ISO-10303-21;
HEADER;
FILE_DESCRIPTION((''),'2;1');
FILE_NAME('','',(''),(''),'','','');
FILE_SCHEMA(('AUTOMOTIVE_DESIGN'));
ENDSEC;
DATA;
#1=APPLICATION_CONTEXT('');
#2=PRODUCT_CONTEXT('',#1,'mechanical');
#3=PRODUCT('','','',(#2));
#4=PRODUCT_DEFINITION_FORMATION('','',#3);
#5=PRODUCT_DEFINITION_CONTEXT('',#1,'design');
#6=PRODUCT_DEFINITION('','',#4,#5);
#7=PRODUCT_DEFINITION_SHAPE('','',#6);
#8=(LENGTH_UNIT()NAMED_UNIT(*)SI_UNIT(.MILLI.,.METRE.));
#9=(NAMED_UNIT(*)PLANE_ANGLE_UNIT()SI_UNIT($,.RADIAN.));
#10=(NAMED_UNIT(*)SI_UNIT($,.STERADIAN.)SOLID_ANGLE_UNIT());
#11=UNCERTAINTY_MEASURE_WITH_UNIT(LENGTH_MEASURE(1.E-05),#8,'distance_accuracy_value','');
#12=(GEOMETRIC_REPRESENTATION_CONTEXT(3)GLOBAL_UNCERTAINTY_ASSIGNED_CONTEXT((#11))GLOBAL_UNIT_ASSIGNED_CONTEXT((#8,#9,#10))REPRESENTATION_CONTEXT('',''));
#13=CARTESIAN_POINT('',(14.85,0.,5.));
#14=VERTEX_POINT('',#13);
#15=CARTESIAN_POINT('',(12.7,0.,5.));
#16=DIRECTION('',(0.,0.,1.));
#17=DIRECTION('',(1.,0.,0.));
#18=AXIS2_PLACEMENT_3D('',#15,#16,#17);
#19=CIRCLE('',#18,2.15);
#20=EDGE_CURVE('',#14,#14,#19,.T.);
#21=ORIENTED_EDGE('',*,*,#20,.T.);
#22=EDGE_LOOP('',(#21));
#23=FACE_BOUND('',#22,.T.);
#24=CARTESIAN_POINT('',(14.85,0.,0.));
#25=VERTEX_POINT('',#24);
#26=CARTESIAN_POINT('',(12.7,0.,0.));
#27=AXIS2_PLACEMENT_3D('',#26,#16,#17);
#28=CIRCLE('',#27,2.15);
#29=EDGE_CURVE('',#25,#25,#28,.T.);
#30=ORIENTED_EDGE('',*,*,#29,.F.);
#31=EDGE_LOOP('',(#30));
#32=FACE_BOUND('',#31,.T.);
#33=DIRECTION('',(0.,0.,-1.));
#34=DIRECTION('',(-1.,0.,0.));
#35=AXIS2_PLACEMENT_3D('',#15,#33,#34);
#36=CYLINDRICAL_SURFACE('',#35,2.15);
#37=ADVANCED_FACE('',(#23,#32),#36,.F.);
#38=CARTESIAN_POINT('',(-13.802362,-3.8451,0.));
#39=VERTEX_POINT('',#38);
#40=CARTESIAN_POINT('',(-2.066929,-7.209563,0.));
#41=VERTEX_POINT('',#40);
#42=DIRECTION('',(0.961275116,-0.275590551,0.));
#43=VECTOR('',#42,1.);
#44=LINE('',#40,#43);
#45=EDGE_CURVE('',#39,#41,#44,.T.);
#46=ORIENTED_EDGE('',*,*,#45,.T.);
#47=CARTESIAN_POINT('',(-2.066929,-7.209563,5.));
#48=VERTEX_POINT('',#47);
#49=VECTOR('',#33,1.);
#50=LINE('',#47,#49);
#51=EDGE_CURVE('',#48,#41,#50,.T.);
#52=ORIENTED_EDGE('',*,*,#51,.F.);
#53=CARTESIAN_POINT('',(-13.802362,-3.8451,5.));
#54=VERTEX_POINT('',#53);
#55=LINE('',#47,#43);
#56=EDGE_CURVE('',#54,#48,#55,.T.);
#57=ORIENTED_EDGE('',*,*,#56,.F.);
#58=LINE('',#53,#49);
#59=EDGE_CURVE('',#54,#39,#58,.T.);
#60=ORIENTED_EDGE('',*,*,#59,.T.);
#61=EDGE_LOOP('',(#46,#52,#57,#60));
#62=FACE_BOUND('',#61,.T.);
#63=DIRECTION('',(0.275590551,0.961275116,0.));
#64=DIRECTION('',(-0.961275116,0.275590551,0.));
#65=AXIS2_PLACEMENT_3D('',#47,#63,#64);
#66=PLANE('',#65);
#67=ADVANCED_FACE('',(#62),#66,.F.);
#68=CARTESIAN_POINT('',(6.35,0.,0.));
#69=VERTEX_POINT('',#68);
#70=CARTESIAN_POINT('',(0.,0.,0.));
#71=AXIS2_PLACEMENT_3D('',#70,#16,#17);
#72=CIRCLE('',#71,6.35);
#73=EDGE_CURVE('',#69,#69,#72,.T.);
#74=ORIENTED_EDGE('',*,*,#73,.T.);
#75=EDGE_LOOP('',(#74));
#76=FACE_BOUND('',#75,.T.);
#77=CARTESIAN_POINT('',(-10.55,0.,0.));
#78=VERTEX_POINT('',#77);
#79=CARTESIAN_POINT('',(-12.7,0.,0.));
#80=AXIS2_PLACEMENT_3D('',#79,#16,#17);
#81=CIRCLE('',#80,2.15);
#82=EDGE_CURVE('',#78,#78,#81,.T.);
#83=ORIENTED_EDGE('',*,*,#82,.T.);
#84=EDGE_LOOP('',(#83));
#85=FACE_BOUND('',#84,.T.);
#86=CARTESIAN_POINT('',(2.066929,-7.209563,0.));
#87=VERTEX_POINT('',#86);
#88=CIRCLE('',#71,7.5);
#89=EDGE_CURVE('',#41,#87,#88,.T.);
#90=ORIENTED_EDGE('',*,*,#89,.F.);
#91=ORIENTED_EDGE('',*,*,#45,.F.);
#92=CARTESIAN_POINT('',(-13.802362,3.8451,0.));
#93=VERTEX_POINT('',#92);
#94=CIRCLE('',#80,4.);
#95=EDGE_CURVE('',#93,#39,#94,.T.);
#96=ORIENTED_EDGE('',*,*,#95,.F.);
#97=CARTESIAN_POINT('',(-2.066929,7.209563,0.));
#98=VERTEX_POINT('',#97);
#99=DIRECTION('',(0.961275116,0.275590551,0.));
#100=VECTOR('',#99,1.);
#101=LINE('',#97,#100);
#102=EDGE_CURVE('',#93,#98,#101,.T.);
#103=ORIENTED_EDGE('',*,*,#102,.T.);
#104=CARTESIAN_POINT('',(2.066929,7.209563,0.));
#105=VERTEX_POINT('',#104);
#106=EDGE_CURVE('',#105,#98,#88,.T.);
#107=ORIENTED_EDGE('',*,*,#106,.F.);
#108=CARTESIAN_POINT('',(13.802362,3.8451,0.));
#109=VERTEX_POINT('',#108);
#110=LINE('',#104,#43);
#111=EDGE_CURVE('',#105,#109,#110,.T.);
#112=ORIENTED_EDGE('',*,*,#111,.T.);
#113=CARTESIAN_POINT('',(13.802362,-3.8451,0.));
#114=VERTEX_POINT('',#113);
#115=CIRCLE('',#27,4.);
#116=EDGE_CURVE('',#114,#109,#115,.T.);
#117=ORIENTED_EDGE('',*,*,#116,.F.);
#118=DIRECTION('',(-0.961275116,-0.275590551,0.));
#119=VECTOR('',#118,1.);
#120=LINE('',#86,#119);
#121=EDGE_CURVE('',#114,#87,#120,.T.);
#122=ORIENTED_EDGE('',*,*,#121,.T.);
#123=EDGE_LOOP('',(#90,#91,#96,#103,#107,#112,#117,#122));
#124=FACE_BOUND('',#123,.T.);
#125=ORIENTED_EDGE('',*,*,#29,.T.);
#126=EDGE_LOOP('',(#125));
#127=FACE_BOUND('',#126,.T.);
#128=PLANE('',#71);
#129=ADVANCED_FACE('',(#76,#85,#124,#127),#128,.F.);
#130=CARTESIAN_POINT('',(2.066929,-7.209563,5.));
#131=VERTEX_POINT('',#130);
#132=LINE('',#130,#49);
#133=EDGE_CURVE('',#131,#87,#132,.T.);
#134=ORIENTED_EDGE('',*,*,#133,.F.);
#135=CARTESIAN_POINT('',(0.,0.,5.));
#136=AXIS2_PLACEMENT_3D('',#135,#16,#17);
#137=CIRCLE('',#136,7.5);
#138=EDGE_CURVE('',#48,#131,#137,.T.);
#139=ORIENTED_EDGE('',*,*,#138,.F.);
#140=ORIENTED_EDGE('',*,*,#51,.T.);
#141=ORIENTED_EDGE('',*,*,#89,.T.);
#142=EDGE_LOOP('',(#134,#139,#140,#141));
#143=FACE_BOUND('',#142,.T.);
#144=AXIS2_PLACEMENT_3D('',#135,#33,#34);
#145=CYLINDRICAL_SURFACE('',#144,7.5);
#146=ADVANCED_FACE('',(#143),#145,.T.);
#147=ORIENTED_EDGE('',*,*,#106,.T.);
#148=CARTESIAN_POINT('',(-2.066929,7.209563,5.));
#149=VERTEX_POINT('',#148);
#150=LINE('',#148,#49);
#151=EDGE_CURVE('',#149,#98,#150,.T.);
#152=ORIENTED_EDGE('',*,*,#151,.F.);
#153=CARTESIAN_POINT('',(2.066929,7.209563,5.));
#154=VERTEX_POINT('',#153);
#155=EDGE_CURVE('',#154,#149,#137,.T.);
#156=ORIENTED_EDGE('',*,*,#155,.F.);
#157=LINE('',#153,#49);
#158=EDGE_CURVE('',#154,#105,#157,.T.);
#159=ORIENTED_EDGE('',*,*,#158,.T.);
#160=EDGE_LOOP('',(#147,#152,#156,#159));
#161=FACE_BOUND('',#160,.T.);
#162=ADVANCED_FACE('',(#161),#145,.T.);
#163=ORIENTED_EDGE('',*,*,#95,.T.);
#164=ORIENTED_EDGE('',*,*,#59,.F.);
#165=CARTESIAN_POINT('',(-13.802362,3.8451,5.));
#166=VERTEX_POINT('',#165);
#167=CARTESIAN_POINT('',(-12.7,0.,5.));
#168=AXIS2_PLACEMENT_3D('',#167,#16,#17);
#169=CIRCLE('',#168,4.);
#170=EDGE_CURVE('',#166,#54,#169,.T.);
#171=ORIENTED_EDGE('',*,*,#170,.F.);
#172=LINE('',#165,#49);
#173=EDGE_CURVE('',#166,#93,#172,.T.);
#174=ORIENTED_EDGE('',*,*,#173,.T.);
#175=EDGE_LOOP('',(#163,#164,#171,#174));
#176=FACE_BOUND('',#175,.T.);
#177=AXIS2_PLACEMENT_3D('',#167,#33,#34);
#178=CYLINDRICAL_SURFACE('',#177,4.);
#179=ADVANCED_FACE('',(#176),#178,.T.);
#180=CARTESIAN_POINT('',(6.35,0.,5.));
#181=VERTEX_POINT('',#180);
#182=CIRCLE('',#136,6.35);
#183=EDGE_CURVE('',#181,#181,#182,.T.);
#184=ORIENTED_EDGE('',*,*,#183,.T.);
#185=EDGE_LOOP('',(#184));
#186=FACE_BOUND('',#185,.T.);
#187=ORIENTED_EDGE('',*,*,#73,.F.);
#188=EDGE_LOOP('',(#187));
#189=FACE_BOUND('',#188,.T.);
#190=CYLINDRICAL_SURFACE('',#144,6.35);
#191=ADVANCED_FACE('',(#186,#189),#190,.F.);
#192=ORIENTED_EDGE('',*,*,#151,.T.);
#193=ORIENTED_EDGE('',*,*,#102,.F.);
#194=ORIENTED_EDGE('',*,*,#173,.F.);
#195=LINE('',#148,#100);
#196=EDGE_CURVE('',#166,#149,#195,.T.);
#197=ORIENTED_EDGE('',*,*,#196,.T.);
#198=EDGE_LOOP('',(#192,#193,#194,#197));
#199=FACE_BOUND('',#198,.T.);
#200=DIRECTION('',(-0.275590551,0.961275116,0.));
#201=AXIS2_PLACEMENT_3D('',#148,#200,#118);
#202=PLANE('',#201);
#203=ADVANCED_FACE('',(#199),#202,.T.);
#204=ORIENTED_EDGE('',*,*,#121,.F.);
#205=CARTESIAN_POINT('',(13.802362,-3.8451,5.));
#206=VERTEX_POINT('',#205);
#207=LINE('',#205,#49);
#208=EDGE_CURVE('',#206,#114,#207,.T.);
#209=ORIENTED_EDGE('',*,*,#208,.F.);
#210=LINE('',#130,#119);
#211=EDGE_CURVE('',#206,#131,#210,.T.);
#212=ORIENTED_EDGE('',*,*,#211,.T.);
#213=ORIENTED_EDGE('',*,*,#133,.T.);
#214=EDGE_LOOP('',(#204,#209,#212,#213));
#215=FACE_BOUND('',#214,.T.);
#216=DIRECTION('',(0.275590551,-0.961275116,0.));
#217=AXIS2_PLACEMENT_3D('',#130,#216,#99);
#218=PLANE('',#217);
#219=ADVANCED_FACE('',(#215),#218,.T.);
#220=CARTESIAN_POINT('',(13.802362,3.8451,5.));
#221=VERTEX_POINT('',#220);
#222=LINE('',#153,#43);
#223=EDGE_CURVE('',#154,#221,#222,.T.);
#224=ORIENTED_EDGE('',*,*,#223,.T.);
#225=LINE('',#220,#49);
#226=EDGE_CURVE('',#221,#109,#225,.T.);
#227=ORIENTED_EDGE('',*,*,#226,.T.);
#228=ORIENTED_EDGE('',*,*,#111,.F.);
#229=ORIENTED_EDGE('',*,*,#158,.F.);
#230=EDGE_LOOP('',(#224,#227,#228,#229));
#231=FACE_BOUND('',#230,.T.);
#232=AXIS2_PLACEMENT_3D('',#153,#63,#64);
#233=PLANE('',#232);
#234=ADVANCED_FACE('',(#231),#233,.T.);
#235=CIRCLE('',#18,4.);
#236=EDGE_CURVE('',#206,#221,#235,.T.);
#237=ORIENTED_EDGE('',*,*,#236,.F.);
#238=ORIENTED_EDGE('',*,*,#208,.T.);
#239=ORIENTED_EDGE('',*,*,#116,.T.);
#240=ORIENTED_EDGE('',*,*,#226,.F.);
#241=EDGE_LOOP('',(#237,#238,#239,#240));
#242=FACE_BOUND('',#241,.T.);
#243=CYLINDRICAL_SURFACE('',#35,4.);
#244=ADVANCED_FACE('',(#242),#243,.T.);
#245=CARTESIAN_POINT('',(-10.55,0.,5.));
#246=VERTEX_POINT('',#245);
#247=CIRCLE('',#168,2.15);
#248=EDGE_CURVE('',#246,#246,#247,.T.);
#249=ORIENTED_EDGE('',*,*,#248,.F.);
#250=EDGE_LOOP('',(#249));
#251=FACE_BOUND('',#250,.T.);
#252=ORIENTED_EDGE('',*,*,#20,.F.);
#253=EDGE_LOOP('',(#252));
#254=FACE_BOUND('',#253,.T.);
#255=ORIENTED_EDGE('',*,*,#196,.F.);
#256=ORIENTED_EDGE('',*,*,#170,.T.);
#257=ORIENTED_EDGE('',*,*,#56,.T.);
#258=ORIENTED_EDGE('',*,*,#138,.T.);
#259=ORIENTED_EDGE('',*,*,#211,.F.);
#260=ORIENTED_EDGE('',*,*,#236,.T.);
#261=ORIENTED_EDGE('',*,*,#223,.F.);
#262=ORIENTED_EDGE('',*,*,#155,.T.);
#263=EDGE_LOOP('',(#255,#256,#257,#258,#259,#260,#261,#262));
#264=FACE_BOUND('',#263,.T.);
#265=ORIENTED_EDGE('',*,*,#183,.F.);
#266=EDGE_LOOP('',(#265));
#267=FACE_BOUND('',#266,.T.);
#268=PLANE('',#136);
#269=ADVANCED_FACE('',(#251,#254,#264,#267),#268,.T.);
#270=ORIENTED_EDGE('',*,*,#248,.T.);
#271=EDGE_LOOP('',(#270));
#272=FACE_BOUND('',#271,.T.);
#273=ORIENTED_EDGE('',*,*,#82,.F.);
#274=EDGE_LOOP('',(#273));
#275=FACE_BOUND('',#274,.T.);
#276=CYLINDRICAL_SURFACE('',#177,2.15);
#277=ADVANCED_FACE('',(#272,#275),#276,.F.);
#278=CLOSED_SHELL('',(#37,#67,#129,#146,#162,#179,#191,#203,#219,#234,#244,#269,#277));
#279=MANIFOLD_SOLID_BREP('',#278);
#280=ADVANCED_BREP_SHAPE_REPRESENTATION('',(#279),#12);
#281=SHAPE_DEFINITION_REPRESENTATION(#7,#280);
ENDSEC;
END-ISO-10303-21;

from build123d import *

# Parameters (mm, degrees)
SKETCH1_R           = 6.35
SKETCH1_R_2         = 2.15
BOSS_EXTRUDE1_DEPTH = 5


with BuildPart() as part:
    # Sketch1 → Boss-Extrude1 (new body)
    with BuildSketch(Plane.XY):
        with BuildLine():
            Line((2.066929134, 7.209563368), (13.802362205, 3.845100463))
            ThreePointArc((13.802362205, 3.845100463), (16.7, 0), (13.802362205, -3.845100463))
            Line((13.802362205, -3.845100463), (2.066929134, -7.209563368))
            ThreePointArc((2.066929134, -7.209563368), (0, -7.5), (-2.066929134, -7.209563368))
            Line((-2.066929134, -7.209563368), (-13.802362205, -3.845100463))
            ThreePointArc((-13.802362205, -3.845100463), (-16.7, 0), (-13.802362205, 3.845100463))
            Line((-13.802362205, 3.845100463), (-2.066929134, 7.209563368))
            ThreePointArc((-2.066929134, 7.209563368), (0, 7.5), (2.066929134, 7.209563368))
        make_face()
        Circle(SKETCH1_R, mode=Mode.SUBTRACT)
        with Locations((12.7, 0)):
            Circle(SKETCH1_R_2, mode=Mode.SUBTRACT)
        with Locations((-12.7, 0)):
            Circle(SKETCH1_R_2, mode=Mode.SUBTRACT)
    extrude(amount=BOSS_EXTRUDE1_DEPTH)


solid = part.part
